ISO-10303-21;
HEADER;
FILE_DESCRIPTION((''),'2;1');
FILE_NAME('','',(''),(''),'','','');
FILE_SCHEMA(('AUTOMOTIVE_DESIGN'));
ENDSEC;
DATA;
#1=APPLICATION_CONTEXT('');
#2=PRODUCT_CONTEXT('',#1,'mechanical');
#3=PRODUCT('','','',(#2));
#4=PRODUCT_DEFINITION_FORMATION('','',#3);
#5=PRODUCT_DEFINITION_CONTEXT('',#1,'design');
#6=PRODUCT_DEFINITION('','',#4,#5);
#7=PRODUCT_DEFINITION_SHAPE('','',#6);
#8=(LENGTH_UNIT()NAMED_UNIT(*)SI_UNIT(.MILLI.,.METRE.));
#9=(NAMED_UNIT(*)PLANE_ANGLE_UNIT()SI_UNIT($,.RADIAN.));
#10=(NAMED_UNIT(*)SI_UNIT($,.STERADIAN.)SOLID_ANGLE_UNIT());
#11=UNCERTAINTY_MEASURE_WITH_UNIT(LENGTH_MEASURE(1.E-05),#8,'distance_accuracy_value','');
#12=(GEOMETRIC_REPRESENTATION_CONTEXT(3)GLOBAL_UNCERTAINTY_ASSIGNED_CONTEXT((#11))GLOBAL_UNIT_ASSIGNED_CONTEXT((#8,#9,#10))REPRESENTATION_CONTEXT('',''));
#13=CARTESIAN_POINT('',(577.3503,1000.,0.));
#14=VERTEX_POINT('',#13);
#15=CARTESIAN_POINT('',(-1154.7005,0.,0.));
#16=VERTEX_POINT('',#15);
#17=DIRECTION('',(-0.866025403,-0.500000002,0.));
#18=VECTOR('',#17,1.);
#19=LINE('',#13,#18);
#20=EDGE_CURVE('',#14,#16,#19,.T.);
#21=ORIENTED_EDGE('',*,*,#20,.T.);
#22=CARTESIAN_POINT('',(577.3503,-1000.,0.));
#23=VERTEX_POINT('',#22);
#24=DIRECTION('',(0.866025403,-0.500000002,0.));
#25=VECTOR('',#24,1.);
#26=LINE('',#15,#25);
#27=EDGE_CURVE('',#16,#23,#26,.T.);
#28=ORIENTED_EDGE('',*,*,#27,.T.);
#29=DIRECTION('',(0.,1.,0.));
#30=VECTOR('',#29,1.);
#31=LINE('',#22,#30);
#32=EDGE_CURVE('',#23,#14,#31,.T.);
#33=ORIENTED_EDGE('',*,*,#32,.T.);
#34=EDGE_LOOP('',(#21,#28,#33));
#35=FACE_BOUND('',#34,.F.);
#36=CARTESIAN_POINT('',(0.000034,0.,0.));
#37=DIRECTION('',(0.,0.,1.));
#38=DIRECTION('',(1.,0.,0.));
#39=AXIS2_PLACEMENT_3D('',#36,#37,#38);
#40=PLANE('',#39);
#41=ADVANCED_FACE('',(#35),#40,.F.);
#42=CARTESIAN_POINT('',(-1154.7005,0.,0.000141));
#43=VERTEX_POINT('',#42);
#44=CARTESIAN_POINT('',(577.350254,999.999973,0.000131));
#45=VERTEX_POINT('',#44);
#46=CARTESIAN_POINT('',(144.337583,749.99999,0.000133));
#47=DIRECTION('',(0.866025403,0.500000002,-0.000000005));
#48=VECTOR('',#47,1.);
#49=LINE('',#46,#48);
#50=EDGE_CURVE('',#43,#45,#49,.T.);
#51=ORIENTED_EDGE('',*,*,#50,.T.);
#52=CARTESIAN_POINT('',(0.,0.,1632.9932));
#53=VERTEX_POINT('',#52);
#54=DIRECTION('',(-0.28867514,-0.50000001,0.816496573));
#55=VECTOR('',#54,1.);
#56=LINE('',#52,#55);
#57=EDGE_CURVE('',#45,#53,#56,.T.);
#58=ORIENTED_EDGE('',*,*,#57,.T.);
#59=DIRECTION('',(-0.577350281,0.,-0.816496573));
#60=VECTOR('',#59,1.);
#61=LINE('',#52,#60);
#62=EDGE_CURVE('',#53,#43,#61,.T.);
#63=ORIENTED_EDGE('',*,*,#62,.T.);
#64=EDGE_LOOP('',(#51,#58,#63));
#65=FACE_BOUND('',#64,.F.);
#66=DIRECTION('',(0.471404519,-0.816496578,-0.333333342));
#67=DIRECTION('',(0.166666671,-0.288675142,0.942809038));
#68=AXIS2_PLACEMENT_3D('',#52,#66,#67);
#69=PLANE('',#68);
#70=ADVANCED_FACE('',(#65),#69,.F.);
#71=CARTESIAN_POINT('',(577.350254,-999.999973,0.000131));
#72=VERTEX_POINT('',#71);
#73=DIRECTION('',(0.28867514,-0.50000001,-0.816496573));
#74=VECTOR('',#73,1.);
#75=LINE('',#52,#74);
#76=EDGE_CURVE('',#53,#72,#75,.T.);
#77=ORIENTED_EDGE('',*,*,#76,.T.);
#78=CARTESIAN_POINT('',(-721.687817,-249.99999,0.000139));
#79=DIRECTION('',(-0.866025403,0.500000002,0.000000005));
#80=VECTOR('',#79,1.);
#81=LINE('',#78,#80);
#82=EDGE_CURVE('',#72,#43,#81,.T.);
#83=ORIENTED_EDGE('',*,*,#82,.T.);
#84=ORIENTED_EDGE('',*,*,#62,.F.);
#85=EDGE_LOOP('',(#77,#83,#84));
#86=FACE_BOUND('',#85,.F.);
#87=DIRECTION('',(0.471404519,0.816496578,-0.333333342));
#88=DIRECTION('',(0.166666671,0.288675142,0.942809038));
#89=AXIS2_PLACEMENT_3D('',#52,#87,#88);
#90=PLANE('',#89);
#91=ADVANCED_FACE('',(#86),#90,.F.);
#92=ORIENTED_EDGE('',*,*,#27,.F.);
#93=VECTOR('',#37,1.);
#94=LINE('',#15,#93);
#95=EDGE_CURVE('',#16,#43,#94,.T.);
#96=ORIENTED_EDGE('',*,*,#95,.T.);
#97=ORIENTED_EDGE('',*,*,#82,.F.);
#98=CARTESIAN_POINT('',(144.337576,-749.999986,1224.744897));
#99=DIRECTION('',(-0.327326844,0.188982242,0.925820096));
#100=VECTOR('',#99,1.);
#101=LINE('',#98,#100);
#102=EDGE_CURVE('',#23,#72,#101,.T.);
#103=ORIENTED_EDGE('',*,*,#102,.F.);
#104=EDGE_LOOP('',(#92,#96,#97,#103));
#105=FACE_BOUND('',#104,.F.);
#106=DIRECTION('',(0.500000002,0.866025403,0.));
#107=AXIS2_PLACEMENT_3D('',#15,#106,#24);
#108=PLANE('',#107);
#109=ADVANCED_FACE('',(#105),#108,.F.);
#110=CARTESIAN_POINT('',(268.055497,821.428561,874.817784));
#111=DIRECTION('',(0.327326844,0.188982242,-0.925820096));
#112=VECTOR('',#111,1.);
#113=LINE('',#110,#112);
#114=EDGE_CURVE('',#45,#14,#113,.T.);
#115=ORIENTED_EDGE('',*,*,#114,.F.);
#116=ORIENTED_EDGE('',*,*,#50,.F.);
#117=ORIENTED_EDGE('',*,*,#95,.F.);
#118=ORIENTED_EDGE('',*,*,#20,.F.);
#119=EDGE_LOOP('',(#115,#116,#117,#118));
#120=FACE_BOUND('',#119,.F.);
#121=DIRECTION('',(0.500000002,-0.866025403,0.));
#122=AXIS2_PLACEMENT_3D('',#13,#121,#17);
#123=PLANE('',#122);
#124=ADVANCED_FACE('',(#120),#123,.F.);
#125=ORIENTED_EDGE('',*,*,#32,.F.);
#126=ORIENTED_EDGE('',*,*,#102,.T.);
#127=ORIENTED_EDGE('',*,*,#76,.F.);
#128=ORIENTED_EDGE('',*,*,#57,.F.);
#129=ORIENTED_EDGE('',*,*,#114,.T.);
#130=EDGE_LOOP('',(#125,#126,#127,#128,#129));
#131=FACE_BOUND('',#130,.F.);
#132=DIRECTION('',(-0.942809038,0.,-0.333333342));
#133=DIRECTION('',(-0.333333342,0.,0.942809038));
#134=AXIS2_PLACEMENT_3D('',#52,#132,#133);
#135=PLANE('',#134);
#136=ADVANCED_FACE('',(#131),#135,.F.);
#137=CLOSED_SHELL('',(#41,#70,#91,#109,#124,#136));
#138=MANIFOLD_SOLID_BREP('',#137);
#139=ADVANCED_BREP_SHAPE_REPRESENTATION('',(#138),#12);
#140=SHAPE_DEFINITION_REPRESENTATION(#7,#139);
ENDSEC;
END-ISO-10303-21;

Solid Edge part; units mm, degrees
sketch "Sketch1" plane through (0, 0, 0) normal (0, 0, 1) x (1, 0, 0)
  line L0 (-1154.7005, 0) -> (577.3503, -1000)
  line L1 (577.3503, -1000) -> (577.3503, 1000)
  line L2 (577.3503, 1000) -> (-1154.7005, 0)
extrude "Protrusion1" add sketch "Sketch1" along normal up to vertex (2000 mm away)
sketch "Sketch2" plane through (0, 0, 0) normal (0, -1, 0) x (1, 0, 0)
  line L0 (577.3503, 0) -> (0, 1632.9932)
extrude "Cutout1" cut sketch "Sketch2" along normal mid plane 2000 material side at (288.7223, 0, 816.5133)
pattern_circular "Pattern1" count 3 over 360 about axis through (0, 0, 2000) along (0, 0, -1) of "Cutout1"
